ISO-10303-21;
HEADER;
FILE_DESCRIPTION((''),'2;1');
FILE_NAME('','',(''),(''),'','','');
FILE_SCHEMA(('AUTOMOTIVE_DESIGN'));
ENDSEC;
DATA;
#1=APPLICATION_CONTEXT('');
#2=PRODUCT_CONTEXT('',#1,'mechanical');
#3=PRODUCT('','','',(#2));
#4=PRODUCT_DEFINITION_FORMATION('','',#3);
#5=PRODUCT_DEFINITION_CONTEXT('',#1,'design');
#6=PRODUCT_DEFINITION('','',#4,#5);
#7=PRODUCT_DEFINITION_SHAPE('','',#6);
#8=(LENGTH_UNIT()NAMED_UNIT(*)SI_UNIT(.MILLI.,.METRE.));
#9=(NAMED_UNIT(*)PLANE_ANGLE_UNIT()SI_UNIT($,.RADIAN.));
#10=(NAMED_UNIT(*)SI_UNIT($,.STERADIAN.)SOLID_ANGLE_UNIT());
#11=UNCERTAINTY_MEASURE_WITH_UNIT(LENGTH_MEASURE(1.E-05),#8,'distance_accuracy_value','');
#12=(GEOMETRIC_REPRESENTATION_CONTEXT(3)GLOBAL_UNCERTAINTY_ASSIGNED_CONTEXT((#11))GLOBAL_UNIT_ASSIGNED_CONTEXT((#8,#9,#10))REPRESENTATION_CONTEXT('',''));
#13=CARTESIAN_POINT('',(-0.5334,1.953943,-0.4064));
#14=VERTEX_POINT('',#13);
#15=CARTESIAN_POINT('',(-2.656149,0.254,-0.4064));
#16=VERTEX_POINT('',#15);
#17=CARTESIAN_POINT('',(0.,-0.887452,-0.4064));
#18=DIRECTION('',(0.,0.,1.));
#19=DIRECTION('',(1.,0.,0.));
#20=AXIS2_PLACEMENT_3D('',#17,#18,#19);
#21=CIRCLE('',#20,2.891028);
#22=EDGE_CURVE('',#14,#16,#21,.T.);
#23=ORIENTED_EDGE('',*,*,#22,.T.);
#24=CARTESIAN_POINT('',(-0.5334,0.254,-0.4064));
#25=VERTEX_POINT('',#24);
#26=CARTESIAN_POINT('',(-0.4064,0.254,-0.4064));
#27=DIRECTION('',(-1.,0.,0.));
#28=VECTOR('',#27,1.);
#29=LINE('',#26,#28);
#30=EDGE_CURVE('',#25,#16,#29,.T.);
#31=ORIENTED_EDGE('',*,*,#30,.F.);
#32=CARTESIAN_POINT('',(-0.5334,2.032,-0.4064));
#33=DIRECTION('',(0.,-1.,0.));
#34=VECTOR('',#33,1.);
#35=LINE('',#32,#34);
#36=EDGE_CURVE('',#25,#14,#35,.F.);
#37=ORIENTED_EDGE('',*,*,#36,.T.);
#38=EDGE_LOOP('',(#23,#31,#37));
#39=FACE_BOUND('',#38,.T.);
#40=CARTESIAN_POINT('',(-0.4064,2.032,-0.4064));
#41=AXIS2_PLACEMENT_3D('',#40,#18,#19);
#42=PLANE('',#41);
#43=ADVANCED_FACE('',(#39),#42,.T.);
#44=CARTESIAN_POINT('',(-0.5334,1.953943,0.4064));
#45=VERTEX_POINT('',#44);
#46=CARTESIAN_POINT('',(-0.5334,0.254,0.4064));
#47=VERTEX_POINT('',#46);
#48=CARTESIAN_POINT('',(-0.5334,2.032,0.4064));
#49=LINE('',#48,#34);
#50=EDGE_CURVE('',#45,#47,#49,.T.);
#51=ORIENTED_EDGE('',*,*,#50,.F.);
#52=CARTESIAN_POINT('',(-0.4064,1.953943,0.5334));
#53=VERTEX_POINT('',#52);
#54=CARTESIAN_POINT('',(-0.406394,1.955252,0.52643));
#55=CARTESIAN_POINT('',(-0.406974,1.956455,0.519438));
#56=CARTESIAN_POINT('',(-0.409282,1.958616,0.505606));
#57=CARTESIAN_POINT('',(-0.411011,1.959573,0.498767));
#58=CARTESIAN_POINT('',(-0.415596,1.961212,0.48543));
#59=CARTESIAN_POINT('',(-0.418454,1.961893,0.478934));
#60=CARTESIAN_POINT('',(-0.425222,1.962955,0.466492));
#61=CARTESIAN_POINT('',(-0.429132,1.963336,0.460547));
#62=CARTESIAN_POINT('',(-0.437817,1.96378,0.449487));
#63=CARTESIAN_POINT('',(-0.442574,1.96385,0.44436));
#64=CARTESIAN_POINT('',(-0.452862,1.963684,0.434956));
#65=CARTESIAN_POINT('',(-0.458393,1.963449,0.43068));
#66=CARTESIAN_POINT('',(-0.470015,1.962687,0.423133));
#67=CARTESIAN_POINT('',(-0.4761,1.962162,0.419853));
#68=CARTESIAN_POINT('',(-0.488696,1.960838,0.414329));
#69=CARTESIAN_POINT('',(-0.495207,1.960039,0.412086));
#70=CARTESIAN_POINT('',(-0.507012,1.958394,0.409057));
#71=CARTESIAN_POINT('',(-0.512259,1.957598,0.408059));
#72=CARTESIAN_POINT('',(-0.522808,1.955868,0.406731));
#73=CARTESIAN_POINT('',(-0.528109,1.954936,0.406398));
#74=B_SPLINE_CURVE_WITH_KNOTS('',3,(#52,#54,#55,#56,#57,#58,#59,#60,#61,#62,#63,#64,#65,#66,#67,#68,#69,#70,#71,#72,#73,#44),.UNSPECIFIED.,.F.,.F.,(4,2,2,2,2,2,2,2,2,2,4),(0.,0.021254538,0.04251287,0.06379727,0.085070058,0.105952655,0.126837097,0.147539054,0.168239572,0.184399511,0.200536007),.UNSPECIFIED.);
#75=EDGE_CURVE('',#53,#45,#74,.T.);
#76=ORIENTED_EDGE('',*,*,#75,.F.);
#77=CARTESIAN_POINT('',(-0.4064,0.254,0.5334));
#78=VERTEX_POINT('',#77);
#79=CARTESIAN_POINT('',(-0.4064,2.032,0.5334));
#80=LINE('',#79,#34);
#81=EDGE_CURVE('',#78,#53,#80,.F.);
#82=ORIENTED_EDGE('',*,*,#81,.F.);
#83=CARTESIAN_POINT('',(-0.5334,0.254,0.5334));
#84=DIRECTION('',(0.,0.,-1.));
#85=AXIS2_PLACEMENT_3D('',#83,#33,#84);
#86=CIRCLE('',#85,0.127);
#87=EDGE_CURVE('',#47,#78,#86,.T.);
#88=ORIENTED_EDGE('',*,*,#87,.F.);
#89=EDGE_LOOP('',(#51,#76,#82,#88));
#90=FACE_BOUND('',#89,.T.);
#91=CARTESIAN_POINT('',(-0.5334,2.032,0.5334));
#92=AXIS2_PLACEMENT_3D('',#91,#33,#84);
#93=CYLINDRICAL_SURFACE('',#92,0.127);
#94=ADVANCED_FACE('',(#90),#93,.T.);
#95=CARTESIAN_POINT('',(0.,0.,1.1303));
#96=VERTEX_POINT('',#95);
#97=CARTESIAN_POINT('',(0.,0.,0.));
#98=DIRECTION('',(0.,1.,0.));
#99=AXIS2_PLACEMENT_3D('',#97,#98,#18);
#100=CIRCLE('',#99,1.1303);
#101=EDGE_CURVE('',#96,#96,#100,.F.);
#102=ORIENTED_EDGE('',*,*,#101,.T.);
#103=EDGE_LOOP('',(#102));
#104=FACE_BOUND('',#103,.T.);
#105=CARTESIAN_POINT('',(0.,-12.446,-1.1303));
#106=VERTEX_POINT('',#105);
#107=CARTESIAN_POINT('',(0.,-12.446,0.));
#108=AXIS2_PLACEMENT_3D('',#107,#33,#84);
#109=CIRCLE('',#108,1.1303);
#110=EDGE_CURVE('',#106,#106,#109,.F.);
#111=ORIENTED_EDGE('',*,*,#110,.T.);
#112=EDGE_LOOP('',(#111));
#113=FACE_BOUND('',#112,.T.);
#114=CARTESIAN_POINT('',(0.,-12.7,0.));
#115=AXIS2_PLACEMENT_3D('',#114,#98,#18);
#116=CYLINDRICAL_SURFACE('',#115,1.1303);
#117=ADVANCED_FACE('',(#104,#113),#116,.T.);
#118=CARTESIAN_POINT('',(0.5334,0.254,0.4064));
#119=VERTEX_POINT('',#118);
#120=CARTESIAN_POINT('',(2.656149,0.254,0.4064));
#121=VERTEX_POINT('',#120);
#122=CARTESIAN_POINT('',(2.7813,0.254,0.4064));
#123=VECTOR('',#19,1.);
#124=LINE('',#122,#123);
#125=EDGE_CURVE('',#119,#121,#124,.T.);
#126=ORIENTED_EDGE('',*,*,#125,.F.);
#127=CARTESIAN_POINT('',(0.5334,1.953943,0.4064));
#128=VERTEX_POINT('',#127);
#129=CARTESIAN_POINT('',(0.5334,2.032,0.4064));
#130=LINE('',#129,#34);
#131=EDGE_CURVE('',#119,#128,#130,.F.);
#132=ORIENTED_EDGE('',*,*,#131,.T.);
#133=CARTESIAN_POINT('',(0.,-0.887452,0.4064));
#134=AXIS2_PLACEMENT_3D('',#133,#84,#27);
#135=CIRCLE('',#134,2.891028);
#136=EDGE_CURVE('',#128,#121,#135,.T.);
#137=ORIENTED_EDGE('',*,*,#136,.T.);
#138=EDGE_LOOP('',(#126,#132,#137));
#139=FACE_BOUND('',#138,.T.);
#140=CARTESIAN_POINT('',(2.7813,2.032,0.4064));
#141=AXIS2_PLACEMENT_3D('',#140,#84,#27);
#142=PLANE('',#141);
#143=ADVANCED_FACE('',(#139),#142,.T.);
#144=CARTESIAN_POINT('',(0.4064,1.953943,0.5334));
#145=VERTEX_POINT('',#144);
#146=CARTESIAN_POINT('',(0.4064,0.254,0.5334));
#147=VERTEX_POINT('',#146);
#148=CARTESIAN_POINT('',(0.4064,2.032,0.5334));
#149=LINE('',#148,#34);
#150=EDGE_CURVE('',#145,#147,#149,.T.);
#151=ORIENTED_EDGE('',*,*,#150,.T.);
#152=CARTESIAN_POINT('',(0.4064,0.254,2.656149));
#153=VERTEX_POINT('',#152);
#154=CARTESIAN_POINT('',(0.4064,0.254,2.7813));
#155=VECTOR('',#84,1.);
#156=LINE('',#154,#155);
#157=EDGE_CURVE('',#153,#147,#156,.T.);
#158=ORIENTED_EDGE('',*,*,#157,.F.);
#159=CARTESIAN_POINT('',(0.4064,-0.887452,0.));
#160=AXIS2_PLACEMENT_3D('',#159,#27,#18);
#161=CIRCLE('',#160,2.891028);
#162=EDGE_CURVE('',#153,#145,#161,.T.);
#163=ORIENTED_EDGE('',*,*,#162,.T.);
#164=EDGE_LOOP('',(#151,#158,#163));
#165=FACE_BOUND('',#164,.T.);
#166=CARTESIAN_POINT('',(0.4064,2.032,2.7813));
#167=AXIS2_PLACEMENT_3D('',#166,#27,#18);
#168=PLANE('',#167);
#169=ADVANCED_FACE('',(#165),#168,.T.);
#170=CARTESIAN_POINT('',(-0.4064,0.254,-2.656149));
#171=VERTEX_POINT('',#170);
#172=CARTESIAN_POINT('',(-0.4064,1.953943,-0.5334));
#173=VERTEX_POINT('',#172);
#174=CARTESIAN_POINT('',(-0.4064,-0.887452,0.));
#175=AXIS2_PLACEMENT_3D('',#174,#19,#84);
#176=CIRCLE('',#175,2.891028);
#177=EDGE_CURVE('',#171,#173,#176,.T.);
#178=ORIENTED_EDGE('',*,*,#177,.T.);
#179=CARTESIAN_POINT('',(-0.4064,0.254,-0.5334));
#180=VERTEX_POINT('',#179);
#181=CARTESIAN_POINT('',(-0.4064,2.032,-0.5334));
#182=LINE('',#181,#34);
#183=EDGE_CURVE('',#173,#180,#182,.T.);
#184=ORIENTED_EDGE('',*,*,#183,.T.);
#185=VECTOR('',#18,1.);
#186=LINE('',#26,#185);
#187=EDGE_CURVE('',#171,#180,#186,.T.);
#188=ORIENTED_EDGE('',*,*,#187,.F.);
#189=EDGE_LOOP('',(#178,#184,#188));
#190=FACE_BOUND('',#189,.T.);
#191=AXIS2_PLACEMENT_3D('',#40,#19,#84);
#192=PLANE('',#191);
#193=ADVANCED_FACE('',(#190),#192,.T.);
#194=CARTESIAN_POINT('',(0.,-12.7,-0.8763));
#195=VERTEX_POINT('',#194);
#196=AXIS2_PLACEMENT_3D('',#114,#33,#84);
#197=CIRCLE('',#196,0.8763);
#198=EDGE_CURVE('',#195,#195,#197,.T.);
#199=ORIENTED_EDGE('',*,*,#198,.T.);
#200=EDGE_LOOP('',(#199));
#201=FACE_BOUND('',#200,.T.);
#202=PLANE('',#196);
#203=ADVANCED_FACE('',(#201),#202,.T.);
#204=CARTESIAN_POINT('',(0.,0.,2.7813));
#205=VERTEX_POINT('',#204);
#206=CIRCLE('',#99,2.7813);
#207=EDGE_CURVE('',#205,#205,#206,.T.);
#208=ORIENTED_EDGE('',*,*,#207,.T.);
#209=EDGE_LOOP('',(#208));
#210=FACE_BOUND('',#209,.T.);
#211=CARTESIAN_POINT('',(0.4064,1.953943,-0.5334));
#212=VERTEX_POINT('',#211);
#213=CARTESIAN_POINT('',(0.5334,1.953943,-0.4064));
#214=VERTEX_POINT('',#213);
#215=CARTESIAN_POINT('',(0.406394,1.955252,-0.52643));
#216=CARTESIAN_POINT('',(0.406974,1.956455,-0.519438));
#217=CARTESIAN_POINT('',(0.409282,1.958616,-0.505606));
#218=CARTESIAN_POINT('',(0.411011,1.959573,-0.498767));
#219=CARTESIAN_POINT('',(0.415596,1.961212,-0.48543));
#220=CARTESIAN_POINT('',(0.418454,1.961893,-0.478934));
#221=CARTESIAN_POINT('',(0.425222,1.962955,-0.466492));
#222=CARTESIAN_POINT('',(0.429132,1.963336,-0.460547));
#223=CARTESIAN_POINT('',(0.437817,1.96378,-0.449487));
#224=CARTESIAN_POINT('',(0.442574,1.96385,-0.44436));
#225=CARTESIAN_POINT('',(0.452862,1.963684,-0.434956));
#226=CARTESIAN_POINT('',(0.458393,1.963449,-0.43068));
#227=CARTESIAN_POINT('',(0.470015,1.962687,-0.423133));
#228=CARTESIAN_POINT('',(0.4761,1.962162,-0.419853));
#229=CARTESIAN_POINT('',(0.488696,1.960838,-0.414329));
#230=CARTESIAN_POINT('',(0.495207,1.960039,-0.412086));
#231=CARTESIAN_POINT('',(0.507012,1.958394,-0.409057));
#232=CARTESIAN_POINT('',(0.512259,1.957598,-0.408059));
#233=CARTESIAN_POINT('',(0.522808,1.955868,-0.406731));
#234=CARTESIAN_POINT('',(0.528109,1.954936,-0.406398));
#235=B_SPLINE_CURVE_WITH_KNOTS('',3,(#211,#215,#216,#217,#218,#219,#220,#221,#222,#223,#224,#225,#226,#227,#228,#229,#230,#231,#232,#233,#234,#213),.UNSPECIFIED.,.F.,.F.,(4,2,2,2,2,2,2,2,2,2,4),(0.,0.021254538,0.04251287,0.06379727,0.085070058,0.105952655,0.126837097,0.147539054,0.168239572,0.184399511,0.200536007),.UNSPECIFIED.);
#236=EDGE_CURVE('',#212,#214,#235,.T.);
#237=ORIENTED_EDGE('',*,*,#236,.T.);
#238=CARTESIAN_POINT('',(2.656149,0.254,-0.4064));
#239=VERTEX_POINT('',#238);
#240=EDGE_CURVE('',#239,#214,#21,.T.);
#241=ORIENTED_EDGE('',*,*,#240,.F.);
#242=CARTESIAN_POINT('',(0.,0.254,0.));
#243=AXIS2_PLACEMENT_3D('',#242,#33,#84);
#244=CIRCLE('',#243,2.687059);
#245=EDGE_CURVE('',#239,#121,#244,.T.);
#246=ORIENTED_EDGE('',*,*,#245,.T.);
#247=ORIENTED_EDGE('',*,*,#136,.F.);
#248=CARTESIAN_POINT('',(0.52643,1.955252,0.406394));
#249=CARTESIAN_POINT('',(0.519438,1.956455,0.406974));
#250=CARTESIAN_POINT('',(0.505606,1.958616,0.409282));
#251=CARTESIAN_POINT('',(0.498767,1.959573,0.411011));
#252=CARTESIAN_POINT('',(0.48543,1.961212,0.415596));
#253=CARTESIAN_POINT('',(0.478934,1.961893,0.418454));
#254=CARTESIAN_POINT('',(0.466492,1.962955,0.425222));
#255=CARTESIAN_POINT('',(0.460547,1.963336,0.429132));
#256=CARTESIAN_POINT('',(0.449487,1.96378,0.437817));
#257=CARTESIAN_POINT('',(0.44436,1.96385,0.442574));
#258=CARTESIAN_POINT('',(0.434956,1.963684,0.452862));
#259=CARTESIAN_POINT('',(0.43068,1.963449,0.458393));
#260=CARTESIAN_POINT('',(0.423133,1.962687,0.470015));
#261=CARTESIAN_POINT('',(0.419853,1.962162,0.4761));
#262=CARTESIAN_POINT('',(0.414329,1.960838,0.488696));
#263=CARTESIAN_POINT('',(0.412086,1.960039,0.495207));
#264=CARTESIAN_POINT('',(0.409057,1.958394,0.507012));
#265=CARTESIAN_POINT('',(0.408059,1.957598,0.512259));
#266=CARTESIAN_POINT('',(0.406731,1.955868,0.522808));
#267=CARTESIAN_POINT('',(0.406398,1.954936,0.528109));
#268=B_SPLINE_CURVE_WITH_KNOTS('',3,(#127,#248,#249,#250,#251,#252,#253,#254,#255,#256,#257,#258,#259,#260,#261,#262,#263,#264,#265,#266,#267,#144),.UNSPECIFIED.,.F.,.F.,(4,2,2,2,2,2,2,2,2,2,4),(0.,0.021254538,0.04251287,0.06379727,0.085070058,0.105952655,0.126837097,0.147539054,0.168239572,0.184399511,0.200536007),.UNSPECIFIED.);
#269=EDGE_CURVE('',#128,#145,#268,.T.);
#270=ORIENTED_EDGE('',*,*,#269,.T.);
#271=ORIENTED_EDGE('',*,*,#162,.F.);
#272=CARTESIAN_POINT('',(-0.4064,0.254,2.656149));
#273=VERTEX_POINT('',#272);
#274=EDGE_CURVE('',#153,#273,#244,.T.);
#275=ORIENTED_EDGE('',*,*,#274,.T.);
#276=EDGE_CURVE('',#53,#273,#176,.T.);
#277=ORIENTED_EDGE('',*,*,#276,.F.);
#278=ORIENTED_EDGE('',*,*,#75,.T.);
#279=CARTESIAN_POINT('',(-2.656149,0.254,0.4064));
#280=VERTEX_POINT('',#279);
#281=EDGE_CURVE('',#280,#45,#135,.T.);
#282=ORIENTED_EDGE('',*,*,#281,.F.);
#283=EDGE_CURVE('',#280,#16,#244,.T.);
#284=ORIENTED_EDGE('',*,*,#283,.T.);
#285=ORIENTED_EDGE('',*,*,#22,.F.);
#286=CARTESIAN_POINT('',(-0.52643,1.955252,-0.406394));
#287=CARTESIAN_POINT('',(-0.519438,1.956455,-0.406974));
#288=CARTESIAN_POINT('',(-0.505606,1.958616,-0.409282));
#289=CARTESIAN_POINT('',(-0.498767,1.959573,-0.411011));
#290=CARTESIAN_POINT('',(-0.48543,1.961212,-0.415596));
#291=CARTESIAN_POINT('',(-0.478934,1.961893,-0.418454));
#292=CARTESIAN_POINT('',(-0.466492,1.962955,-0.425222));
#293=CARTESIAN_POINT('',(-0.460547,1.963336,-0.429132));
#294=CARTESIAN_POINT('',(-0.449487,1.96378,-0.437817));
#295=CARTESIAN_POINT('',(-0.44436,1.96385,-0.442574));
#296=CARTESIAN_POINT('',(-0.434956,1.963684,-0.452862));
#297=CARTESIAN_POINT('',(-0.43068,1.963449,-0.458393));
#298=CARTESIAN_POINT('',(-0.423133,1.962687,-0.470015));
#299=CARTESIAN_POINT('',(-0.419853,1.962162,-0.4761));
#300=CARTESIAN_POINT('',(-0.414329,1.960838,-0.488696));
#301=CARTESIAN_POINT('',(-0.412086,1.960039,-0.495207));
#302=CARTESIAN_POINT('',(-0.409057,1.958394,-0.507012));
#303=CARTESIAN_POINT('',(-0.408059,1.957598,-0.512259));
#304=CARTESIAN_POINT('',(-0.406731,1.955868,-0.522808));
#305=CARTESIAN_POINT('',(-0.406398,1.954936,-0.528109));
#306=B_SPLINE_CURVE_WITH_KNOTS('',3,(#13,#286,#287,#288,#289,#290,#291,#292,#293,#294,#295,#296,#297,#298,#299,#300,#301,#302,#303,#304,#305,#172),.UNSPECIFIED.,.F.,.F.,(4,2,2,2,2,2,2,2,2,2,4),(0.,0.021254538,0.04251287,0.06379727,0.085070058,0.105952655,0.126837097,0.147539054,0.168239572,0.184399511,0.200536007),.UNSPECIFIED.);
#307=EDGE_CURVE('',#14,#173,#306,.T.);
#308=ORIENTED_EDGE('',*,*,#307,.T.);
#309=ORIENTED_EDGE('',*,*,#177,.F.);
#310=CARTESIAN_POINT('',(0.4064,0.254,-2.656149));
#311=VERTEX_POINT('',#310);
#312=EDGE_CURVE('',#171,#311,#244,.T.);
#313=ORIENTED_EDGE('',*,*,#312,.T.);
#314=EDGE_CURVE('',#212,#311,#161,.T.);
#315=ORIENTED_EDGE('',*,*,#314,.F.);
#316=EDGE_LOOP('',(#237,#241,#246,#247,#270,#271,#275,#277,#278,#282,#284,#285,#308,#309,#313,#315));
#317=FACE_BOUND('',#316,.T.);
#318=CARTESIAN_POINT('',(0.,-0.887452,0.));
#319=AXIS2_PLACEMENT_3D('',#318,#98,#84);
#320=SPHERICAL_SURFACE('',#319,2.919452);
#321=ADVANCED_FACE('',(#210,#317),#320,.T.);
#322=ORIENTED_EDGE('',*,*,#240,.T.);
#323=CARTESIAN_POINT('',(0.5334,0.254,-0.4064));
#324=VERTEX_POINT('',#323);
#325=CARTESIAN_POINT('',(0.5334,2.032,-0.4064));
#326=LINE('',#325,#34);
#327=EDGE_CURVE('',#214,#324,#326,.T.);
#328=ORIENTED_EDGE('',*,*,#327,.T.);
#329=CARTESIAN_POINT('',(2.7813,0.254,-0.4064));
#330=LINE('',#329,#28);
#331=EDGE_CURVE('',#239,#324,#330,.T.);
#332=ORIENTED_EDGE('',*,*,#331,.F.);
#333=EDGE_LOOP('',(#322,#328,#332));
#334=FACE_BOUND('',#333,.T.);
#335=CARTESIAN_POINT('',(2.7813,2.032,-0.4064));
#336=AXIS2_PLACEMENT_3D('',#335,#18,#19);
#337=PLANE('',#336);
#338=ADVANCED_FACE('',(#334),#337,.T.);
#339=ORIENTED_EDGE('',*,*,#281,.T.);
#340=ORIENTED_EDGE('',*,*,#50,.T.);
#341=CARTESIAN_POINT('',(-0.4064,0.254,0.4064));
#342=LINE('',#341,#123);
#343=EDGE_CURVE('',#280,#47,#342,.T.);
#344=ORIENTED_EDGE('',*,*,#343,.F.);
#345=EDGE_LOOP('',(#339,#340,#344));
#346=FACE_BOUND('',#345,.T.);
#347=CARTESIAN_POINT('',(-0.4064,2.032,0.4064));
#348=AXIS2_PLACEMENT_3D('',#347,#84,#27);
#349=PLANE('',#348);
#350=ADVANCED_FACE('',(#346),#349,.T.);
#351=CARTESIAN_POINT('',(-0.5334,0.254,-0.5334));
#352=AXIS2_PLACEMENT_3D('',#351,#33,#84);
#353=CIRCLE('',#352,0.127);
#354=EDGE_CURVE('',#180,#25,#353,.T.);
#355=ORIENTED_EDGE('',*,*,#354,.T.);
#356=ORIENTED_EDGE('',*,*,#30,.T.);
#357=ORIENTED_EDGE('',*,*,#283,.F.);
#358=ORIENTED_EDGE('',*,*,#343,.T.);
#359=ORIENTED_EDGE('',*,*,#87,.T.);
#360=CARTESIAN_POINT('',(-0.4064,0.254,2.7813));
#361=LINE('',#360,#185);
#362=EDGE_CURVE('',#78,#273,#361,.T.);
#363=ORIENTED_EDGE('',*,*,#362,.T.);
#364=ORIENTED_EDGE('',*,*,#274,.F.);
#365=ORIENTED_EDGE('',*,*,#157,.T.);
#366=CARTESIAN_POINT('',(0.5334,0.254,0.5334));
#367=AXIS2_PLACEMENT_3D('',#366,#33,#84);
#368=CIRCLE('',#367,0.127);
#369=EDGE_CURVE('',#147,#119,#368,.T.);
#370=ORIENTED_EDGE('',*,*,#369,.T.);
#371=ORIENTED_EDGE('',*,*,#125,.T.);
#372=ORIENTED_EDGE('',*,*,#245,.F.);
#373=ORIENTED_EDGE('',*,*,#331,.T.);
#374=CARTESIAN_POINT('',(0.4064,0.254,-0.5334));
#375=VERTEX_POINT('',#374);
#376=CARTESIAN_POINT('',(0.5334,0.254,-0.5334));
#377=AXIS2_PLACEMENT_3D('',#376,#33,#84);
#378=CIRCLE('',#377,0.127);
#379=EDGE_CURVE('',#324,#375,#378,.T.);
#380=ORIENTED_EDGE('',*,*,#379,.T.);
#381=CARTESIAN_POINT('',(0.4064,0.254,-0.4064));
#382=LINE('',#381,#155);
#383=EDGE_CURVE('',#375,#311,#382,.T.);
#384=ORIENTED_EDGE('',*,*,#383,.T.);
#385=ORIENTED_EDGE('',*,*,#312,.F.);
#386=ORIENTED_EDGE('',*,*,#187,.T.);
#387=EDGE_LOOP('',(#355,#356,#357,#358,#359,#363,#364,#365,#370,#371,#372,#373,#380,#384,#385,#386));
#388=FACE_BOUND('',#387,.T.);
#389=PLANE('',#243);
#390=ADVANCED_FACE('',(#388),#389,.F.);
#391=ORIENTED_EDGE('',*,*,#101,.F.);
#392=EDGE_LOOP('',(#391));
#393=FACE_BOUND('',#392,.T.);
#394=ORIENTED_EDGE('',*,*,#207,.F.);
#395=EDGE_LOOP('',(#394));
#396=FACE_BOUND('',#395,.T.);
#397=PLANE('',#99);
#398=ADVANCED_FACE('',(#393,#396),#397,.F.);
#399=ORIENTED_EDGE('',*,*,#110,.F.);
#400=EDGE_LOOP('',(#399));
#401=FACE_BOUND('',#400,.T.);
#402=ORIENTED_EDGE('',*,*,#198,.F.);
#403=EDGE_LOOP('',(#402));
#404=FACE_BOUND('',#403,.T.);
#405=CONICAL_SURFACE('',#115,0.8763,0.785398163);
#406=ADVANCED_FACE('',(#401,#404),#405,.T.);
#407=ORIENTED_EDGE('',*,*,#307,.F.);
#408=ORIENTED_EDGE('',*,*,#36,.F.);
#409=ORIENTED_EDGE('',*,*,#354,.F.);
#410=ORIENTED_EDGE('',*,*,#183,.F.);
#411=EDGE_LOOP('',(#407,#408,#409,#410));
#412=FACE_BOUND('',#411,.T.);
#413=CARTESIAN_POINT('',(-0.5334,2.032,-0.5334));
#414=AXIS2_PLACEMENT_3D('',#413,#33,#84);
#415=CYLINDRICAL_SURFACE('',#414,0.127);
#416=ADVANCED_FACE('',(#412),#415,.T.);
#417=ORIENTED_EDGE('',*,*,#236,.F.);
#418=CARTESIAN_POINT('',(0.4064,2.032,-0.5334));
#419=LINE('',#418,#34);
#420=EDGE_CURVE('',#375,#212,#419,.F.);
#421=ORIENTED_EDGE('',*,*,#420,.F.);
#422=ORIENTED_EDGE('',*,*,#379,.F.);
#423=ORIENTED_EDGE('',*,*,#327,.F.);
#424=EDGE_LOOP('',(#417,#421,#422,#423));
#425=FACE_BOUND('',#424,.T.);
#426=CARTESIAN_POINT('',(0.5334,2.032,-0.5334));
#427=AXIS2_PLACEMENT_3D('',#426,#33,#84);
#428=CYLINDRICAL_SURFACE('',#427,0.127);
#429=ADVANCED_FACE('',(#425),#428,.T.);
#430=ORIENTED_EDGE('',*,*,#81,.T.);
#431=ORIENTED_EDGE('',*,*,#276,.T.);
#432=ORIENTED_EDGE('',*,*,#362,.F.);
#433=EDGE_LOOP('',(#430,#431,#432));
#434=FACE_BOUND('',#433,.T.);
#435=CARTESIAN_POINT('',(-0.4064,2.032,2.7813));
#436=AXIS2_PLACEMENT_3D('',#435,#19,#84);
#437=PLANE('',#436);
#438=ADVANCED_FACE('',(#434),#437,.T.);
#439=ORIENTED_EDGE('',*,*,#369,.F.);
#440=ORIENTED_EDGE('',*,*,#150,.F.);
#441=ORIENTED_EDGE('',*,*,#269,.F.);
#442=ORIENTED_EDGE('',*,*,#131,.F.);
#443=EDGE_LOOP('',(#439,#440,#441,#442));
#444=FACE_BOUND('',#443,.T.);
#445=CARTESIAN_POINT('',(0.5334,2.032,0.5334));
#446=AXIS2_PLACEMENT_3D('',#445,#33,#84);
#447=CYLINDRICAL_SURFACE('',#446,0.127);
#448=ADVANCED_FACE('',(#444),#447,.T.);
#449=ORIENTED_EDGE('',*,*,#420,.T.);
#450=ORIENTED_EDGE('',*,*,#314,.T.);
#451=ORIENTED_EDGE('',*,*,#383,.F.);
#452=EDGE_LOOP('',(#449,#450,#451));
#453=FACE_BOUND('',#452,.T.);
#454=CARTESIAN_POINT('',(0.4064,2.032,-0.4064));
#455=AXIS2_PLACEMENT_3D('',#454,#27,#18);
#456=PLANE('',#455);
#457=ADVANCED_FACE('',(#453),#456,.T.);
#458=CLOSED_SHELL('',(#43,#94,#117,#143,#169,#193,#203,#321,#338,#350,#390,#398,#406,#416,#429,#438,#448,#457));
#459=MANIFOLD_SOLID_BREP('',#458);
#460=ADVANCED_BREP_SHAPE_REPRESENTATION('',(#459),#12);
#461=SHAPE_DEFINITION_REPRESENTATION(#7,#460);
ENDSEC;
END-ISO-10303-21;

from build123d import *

# Parameters (mm, degrees)
SKETCH3_R        = 1.1303
SHAFT_DEPTH      = 12.7
TIP_SIZE         = 0.254
PHILLIPS_START   = 0.254
PHILLIPS_DEPTH   = 14.041159246
PHILLIPSFILLET_R = 0.127


with BuildPart() as part:
    # Sketch2 → Head (revolve)
    with BuildSketch(Plane(origin=(0, 0, 0), x_dir=(0, 0, -1), z_dir=(1, 0, 0))):
        with BuildLine():
            Line((0, 0), (2.7813, 0))
            ThreePointArc((2.7813, 0), (1.72225533, 1.469884796), (0, 2.032))
            Line((0, 2.032), (0, 0))
        make_face()
    revolve(axis=Axis((0, 0.415157056, 0), (0, -1, 0)))

    # Sketch3 → Shaft (add)
    with BuildSketch(Plane.XZ):
        with Locations(Location((0, 0, 0), (0, 0, 90))):
            Circle(SKETCH3_R)
    extrude(amount=SHAFT_DEPTH)

    # Tip
    tip_edges = [part.edges().sort_by_distance(p)[0] for p in [
        (0, -12.7, -1.1303),
    ]]
    chamfer(tip_edges, length=TIP_SIZE)

    # Sketch4 → Phillips (cut, through all)
    with BuildSketch(Plane(origin=(0, 0, 0), x_dir=(1, 0, 0), z_dir=(0, 1, 0)).offset(PHILLIPS_START)):
        Polygon((-0.4064, 0.4064), (-0.4064, 2.7813), (0.4064, 2.7813), (0.4064, 0.4064), (2.7813, 0.4064), (2.7813, -0.4064), (0.4064, -0.4064), (0.4064, -2.7813), (-0.4064, -2.7813), (-0.4064, -0.4064), (-2.7813, -0.4064), (-2.7813, 0.4064), align=None)
    extrude(amount=PHILLIPS_DEPTH, mode=Mode.SUBTRACT)

    # PhillipsFillet
    phillipsfillet_edges = [part.edges().sort_by_distance(p)[0] for p in [
        (0.4064, 1.114434201, -0.4064),
        (-0.4064, 1.114434201, -0.4064),
        (-0.4064, 1.114434201, 0.4064),
        (0.4064, 1.114434201, 0.4064),
    ]]
    fillet(phillipsfillet_edges, radius=PHILLIPSFILLET_R)


solid = part.part
